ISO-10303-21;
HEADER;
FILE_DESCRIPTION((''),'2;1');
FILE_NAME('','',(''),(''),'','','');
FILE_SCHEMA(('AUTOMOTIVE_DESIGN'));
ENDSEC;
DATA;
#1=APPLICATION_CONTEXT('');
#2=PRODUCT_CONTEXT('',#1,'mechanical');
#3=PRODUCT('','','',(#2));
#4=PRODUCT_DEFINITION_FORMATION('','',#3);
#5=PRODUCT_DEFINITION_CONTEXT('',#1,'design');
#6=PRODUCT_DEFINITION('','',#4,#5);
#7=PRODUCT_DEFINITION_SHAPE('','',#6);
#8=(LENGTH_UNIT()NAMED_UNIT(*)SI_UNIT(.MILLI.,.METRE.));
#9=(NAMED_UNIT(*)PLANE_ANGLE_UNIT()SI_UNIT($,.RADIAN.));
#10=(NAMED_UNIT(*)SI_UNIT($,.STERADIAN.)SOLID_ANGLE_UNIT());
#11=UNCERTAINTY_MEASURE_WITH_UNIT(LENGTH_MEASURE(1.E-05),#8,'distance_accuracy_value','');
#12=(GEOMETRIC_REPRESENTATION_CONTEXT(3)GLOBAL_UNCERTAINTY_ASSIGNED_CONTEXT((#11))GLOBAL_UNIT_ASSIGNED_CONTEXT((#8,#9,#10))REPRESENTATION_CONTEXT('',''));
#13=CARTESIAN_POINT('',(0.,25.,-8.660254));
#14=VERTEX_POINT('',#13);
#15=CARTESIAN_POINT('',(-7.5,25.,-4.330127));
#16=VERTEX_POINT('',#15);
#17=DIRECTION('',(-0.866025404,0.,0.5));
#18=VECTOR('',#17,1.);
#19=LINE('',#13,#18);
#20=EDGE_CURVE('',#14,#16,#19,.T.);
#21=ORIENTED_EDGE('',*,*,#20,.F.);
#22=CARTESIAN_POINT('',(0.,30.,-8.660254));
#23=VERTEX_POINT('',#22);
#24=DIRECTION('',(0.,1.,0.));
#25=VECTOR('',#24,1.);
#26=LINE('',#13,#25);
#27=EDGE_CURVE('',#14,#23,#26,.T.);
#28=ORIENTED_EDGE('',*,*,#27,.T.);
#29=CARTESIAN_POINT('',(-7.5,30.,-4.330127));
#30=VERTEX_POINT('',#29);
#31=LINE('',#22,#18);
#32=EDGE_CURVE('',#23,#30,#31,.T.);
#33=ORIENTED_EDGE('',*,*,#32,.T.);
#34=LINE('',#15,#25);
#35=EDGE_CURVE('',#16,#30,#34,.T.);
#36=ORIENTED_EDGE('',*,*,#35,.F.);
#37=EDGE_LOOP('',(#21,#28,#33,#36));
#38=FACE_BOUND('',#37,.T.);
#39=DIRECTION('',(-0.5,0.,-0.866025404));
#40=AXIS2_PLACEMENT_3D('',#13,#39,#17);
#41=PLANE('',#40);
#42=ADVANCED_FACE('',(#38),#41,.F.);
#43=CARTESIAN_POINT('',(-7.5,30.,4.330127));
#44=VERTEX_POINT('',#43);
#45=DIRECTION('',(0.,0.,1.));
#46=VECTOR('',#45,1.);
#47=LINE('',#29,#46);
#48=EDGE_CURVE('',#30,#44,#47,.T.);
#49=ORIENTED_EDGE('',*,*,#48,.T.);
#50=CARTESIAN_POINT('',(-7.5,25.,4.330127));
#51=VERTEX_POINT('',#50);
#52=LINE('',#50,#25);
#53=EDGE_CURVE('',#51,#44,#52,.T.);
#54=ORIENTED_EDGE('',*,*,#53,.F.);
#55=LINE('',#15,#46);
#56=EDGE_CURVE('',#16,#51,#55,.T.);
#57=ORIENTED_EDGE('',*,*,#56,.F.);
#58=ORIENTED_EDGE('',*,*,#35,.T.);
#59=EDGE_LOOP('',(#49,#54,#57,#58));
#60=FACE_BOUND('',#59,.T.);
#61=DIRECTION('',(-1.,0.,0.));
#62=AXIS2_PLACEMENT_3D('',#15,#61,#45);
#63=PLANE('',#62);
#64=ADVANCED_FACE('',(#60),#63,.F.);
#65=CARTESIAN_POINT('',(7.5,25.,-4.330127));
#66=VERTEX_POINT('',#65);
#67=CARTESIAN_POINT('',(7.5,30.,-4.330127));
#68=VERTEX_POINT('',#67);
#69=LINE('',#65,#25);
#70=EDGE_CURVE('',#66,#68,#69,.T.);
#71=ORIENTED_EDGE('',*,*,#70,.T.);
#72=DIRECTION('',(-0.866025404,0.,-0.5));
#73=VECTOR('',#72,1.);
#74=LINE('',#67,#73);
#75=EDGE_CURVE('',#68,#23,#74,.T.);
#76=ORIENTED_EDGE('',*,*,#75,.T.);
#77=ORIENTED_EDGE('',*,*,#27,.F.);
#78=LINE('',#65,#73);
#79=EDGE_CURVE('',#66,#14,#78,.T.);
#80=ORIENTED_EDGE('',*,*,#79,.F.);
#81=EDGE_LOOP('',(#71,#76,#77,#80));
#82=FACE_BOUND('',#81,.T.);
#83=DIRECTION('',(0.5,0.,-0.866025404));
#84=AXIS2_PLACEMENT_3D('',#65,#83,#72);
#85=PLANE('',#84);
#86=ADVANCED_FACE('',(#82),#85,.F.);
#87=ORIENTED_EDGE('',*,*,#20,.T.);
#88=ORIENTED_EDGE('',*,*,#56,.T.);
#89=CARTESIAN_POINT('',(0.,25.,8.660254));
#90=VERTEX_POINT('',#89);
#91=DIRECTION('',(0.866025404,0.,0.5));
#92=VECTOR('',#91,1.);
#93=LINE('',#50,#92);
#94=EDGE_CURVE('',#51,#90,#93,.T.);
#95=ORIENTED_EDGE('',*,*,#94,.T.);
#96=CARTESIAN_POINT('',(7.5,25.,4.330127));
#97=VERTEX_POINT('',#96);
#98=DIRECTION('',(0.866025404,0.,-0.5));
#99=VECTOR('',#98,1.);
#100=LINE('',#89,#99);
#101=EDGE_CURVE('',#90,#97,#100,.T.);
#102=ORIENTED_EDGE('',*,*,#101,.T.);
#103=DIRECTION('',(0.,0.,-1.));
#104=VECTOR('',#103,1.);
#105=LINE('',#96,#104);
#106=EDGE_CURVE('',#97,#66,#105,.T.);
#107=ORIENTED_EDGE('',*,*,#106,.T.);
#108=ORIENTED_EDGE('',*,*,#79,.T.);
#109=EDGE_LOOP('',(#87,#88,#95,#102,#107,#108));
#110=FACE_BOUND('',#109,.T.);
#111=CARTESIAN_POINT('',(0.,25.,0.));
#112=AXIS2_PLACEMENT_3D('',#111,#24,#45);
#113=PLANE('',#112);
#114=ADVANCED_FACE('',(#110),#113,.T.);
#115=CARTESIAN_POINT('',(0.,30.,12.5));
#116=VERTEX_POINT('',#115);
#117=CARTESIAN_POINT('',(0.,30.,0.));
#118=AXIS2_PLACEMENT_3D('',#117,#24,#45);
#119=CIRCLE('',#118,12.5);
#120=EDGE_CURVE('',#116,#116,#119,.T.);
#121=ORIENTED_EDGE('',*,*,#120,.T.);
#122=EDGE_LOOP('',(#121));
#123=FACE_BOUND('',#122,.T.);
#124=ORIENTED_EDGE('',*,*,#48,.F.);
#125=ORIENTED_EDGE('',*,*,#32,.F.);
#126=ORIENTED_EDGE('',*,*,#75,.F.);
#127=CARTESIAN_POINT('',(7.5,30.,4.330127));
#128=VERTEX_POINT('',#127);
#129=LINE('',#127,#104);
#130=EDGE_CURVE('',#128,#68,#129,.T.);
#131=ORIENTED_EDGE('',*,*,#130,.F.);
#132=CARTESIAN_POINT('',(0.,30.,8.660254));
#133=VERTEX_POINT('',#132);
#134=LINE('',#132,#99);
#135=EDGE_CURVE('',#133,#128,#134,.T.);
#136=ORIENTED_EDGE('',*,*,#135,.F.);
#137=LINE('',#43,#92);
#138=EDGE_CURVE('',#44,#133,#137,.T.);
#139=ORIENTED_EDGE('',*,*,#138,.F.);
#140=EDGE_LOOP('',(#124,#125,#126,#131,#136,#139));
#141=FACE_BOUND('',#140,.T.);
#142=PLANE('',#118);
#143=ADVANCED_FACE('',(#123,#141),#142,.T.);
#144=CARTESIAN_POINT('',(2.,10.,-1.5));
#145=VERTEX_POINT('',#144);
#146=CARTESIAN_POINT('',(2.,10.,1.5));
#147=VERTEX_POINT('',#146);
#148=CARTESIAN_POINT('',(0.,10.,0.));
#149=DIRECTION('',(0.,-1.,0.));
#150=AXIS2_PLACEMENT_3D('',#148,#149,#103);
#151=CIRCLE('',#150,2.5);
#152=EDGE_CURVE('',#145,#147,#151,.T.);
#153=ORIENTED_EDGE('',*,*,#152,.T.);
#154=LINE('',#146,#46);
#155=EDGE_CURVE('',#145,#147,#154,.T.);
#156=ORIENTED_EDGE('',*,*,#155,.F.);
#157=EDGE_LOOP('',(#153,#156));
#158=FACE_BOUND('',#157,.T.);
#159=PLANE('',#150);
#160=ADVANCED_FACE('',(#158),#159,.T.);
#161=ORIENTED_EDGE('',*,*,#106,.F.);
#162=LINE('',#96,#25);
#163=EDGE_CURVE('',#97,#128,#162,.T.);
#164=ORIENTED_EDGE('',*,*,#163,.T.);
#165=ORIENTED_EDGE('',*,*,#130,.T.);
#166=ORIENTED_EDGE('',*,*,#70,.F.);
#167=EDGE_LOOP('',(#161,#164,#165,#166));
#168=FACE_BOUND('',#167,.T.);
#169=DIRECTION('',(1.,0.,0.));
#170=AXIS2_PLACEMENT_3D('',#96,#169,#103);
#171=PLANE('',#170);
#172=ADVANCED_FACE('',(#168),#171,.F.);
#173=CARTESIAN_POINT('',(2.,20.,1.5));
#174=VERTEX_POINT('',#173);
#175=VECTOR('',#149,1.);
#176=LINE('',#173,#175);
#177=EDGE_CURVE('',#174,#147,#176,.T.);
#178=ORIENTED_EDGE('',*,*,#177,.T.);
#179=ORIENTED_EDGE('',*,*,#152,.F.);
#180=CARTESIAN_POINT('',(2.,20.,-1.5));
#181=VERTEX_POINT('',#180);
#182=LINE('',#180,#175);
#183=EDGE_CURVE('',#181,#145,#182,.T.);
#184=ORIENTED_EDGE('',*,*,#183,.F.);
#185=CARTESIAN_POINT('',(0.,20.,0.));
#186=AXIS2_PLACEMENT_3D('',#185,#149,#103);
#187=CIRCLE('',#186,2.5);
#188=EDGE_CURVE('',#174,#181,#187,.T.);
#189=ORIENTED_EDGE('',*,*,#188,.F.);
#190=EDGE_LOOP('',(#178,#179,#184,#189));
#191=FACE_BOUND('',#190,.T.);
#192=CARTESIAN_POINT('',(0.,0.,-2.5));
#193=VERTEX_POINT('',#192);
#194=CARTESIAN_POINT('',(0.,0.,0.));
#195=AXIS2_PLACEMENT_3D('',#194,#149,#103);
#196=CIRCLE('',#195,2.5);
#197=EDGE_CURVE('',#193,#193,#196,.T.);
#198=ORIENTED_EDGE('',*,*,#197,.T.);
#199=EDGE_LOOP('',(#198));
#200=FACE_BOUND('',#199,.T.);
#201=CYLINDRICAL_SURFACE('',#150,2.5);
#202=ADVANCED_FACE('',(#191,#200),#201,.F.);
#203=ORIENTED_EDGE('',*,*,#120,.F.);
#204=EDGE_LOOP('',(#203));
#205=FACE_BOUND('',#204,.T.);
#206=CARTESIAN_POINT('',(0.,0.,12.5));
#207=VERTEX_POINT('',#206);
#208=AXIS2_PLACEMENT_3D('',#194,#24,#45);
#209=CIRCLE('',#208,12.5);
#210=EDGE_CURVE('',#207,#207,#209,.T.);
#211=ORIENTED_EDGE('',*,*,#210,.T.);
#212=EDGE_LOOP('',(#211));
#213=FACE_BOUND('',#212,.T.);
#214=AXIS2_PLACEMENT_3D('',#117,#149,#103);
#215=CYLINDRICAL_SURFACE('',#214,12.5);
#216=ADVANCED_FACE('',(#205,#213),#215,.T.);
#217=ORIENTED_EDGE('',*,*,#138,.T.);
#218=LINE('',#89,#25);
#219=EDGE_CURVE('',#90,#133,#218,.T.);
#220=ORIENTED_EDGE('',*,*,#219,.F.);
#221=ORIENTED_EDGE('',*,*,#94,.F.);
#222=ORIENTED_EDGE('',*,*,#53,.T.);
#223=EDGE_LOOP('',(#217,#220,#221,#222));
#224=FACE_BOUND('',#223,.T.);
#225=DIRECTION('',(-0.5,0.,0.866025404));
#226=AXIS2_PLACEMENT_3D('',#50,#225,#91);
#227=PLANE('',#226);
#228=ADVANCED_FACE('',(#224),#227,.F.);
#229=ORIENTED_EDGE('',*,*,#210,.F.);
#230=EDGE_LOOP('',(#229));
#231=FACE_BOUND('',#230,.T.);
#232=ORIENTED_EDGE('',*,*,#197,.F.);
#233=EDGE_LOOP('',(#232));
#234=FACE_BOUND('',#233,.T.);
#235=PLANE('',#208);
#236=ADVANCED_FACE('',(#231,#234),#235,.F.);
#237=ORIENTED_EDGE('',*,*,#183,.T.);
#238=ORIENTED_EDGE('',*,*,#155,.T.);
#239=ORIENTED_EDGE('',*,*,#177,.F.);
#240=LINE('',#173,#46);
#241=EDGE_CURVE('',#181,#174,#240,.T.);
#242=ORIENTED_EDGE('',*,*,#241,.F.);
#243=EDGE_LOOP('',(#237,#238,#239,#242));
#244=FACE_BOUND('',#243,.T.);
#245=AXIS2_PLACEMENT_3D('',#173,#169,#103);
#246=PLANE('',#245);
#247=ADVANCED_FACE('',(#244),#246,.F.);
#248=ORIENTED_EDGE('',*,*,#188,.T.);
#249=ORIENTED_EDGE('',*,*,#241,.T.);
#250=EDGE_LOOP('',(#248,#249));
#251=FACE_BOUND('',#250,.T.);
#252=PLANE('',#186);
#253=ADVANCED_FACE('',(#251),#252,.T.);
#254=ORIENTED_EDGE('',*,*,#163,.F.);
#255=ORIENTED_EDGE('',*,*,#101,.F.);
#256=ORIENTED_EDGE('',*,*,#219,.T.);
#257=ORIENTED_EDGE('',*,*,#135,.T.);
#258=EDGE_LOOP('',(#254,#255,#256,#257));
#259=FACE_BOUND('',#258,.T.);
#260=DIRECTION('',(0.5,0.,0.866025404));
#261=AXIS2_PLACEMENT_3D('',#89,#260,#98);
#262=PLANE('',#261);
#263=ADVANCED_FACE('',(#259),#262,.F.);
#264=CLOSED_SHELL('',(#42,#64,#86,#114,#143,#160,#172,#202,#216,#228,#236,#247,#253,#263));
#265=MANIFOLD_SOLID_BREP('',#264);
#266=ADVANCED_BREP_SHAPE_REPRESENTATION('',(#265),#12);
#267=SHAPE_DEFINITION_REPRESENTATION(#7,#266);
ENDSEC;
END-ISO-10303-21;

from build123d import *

# Parameters (mm, degrees)
SKETCH2_R           = 12.5
BOSS_EXTRUDE1_DEPTH = 30
SKETCH3_R           = 2.5
CUT_EXTRUDE1_DEPTH  = 10
CUT_EXTRUDE2_DEPTH  = 10
CUT_EXTRUDE3_DEPTH  = 5


with BuildPart() as part:
    # Sketch2 → Boss-Extrude1 (new body)
    with BuildSketch(Plane(origin=(0, 0, 0), x_dir=(1, 0, 0), z_dir=(0, 1, 0))):
        with Locations(Location((0, 0, 0), (0, 0, 270))):
            Circle(SKETCH2_R)
    extrude(amount=BOSS_EXTRUDE1_DEPTH)

    # Sketch3 → Cut-Extrude1 (cut)
    with BuildSketch(Plane(origin=(0, 0, 0), x_dir=(-1, 0, 0), z_dir=(0, -1, 0))):
        with Locations(Location((0, 0, 0), (0, 0, 90))):
            Circle(SKETCH3_R)
    extrude(amount=-CUT_EXTRUDE1_DEPTH, mode=Mode.SUBTRACT)

    # Sketch4 → Cut-Extrude2 (cut)
    with BuildSketch(Plane.XZ.offset(-10)):
        with BuildLine():
            Line((2, 1.5), (2, -1.5))
            ThreePointArc((2, -1.5), (-2.5, 0), (2, 1.5))
        make_face()
    extrude(amount=-CUT_EXTRUDE2_DEPTH, mode=Mode.SUBTRACT)

    # Sketch5 → Cut-Extrude3 (cut)
    with BuildSketch(Plane(origin=(0, 30, 0), x_dir=(1, 0, 0), z_dir=(0, 1, 0))):
        Polygon((0, 8.660254038), (-7.5, 4.330127019), (-7.5, -4.330127019), (0, -8.660254038), (7.5, -4.330127019), (7.5, 4.330127019), align=None)
    extrude(amount=-CUT_EXTRUDE3_DEPTH, mode=Mode.SUBTRACT)


solid = part.part
